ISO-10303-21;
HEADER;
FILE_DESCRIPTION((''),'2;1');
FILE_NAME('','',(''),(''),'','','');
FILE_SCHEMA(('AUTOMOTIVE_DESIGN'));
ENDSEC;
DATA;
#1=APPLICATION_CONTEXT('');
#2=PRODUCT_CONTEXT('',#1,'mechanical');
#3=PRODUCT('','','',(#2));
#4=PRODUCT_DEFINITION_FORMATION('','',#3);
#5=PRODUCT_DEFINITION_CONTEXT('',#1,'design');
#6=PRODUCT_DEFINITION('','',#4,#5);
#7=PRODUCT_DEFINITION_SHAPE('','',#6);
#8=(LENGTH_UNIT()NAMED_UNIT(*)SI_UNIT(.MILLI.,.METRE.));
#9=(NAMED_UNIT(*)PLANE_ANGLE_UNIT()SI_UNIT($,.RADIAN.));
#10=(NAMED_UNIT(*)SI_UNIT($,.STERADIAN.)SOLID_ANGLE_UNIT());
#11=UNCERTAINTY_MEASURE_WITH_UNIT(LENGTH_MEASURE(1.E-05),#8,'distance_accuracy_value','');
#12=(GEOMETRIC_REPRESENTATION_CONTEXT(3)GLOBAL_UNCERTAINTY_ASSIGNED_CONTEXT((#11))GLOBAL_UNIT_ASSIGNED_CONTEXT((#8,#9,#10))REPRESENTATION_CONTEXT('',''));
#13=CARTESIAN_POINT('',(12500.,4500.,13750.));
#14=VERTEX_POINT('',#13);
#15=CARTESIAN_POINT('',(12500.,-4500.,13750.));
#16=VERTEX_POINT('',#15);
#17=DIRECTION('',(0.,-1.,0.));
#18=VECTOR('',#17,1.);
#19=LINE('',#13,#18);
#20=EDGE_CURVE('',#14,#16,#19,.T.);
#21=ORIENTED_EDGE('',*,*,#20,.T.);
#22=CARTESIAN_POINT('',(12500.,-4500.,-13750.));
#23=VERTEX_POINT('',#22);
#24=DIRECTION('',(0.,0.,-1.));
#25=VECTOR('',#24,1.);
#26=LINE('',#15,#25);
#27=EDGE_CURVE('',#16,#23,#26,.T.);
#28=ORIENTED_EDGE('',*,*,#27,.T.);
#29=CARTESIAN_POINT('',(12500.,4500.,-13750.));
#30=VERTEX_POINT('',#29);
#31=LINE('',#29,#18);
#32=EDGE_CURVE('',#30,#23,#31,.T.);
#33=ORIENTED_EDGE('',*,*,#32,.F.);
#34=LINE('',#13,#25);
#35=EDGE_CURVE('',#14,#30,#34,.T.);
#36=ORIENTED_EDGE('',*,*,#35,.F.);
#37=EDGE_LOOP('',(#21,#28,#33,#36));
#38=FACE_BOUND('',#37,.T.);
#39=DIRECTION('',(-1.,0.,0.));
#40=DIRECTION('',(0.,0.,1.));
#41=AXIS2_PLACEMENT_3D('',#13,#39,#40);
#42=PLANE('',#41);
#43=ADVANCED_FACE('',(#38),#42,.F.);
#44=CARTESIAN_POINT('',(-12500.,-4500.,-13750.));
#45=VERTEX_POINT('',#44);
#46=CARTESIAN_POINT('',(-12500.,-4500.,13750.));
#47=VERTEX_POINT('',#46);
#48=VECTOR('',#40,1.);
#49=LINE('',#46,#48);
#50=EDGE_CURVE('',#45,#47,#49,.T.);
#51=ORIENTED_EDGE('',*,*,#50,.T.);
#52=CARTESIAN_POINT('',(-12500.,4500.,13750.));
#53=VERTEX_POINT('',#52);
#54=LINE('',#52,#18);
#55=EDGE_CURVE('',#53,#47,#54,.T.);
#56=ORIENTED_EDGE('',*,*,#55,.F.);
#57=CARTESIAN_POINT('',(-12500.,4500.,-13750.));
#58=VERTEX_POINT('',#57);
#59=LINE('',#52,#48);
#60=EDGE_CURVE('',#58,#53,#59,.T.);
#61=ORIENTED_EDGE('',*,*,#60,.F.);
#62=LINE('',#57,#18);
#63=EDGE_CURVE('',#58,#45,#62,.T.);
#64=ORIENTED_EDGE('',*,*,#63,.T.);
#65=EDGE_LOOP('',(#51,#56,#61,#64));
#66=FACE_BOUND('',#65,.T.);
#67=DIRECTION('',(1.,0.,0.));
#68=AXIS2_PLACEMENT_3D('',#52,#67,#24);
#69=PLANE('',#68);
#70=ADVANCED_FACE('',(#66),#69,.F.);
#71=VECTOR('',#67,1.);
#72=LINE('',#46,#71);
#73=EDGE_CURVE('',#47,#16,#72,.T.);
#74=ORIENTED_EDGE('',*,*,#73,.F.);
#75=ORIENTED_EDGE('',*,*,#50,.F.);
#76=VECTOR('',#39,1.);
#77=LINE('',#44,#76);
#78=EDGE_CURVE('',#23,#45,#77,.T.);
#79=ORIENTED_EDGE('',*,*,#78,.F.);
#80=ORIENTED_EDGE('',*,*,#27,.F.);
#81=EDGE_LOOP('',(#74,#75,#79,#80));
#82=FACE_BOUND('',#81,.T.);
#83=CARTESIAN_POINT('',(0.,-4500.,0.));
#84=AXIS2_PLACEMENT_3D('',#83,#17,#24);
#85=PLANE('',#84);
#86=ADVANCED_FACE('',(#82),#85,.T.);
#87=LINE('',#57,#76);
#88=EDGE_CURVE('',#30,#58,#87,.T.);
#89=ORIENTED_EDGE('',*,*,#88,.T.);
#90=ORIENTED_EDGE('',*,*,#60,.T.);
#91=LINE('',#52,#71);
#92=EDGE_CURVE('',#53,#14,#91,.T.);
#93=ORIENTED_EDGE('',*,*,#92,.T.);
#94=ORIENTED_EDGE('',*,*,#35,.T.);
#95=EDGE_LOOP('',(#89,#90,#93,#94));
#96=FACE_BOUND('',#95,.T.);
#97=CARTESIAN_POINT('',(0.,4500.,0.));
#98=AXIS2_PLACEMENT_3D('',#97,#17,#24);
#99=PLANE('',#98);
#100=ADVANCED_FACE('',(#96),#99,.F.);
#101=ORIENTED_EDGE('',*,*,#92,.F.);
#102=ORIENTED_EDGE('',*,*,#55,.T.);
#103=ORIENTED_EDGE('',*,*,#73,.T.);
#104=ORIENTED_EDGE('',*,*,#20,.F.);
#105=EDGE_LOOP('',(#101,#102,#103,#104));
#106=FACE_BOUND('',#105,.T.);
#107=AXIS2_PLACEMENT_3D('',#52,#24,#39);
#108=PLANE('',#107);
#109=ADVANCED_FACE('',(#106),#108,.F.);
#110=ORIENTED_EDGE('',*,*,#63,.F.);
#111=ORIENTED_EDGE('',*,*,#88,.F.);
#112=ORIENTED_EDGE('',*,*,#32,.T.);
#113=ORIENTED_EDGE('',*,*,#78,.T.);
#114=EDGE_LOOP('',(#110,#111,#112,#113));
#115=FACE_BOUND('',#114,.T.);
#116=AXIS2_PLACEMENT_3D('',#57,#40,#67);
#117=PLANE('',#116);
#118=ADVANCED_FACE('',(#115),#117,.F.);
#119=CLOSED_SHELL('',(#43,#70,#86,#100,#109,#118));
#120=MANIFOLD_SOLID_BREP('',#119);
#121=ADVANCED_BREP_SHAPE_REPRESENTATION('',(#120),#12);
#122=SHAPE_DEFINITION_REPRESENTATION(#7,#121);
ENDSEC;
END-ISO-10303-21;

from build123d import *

# Parameters (mm, degrees)
SKETCH1_W           = 25000
SKETCH1_H           = 27500
BOSS_EXTRUDE1_DEPTH = 4500


with BuildPart() as part:
    # Sketch1 → Boss-Extrude1 (new body, symmetric)
    with BuildSketch(Plane(origin=(0, 0, 0), x_dir=(1, 0, 0), z_dir=(0, 1, 0))):
        Rectangle(SKETCH1_W, SKETCH1_H)
    extrude(amount=BOSS_EXTRUDE1_DEPTH, both=True)


solid = part.part
